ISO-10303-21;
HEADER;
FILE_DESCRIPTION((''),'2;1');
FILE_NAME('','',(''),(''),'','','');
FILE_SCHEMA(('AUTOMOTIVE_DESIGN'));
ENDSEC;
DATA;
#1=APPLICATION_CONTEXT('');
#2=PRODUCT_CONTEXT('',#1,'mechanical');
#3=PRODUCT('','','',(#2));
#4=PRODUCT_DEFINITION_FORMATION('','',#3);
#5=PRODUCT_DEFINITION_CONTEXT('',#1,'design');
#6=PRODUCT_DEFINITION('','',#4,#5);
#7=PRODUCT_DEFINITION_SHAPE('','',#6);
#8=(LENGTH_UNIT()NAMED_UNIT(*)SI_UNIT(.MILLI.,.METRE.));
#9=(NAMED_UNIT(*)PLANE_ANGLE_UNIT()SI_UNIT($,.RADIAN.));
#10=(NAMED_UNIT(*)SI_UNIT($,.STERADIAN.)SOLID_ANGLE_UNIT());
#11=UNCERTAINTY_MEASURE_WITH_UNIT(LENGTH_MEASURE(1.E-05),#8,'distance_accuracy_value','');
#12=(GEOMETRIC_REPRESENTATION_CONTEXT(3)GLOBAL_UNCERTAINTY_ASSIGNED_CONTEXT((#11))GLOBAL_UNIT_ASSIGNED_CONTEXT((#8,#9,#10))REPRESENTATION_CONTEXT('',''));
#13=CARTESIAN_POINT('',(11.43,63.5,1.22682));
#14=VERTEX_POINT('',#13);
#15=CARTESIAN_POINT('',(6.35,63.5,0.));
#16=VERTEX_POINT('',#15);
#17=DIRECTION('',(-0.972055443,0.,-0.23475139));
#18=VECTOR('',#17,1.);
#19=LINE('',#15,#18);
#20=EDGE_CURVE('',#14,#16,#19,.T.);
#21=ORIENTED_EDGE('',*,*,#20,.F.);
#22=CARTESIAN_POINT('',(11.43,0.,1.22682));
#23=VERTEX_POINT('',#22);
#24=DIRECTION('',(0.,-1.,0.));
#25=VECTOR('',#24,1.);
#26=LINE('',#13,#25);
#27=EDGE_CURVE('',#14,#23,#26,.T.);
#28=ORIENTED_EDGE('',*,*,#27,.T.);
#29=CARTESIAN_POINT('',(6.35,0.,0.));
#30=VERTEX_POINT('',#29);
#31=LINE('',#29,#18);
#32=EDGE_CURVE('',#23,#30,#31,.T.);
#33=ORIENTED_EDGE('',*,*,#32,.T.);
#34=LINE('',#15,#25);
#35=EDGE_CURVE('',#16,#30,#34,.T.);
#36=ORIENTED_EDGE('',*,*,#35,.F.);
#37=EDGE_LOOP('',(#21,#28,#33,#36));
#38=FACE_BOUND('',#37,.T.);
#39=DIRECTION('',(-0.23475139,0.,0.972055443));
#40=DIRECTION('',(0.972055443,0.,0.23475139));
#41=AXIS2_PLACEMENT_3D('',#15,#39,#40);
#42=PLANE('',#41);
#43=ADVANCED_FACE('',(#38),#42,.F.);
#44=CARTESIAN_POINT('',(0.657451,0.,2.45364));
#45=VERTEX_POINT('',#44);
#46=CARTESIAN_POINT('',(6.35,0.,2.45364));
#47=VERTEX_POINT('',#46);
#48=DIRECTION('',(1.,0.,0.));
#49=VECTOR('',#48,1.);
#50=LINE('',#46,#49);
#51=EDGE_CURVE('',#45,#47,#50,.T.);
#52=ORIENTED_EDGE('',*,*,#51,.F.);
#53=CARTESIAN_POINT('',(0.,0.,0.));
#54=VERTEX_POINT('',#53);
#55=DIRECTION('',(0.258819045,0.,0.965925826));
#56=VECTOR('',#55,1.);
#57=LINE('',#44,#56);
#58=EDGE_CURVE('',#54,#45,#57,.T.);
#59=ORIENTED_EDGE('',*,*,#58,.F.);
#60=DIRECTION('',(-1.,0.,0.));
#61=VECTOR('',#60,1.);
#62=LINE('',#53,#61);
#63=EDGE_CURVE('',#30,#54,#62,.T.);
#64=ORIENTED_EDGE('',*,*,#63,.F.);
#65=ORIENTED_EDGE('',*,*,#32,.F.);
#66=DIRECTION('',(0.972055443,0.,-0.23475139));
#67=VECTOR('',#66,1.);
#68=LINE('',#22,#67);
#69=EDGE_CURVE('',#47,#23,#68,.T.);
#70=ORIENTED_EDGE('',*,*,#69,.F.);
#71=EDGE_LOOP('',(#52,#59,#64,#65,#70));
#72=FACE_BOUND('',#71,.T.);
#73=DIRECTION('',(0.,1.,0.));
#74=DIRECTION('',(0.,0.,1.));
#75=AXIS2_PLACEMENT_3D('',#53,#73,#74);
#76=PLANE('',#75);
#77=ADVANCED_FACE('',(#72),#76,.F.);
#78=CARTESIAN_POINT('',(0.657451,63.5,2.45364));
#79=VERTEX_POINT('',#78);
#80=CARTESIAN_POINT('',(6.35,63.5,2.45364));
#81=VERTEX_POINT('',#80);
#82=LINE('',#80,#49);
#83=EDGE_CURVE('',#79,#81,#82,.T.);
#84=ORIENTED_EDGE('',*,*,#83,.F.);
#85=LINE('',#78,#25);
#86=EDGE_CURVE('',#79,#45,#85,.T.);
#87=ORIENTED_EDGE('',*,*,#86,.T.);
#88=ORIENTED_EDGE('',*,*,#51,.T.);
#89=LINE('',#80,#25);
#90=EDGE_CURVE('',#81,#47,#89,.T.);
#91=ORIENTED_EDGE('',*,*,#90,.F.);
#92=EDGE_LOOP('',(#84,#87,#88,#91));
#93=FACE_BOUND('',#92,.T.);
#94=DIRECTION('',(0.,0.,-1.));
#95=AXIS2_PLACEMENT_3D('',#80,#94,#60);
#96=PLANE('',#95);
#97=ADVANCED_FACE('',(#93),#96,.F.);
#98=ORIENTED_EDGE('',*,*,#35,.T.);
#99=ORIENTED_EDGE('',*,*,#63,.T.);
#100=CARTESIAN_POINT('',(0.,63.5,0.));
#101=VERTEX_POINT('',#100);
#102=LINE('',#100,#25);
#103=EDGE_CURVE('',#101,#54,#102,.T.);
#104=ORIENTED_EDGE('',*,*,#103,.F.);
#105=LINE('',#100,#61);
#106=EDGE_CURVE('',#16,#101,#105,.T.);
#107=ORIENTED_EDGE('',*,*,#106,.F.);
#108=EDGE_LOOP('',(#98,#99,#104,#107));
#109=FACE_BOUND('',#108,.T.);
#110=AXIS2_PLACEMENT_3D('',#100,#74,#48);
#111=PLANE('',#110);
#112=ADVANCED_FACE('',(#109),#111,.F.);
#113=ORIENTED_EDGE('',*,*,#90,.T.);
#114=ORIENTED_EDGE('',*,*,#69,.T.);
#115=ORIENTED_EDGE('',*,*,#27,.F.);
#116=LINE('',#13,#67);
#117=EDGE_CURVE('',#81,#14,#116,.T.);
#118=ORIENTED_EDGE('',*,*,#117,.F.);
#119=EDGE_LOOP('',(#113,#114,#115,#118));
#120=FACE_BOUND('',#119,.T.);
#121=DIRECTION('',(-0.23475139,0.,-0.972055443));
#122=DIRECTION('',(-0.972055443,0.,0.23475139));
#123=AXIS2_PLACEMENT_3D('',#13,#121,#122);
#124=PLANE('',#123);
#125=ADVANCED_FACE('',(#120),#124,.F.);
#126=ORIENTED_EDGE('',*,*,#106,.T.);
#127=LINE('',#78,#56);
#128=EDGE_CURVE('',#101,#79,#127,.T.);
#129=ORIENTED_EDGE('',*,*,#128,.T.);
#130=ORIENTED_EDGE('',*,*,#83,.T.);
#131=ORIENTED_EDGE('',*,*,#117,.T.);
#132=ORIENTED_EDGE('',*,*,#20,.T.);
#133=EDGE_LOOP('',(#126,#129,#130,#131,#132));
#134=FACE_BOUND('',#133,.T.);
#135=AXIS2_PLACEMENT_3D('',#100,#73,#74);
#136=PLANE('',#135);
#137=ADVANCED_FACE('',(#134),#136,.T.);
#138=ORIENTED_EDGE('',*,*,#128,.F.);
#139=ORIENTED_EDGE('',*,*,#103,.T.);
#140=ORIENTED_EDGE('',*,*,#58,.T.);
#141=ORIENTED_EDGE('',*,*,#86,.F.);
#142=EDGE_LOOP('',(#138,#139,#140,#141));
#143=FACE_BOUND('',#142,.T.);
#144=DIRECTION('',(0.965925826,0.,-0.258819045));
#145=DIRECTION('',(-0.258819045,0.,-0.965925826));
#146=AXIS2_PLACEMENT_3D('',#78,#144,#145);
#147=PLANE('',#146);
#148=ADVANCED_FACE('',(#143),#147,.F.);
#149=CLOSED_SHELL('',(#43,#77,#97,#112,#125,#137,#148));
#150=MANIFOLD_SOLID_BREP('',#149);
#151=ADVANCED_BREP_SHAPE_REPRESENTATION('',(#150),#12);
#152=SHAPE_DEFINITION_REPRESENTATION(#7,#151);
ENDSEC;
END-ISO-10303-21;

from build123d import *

# Parameters (mm, degrees)
BOSS_EXTRUDE1_DEPTH = 63.5


with BuildPart() as part:
    # Sketch1 → Boss-Extrude1 (new body)
    with BuildSketch(Plane(origin=(0, 0, 0), x_dir=(1, 0, 0), z_dir=(0, 1, 0))):
        Polygon((0, 0), (6.35, 0), (11.43, -1.22682), (6.35, -2.45364), (0.657450857, -2.45364), align=None)
    extrude(amount=BOSS_EXTRUDE1_DEPTH)


solid = part.part
